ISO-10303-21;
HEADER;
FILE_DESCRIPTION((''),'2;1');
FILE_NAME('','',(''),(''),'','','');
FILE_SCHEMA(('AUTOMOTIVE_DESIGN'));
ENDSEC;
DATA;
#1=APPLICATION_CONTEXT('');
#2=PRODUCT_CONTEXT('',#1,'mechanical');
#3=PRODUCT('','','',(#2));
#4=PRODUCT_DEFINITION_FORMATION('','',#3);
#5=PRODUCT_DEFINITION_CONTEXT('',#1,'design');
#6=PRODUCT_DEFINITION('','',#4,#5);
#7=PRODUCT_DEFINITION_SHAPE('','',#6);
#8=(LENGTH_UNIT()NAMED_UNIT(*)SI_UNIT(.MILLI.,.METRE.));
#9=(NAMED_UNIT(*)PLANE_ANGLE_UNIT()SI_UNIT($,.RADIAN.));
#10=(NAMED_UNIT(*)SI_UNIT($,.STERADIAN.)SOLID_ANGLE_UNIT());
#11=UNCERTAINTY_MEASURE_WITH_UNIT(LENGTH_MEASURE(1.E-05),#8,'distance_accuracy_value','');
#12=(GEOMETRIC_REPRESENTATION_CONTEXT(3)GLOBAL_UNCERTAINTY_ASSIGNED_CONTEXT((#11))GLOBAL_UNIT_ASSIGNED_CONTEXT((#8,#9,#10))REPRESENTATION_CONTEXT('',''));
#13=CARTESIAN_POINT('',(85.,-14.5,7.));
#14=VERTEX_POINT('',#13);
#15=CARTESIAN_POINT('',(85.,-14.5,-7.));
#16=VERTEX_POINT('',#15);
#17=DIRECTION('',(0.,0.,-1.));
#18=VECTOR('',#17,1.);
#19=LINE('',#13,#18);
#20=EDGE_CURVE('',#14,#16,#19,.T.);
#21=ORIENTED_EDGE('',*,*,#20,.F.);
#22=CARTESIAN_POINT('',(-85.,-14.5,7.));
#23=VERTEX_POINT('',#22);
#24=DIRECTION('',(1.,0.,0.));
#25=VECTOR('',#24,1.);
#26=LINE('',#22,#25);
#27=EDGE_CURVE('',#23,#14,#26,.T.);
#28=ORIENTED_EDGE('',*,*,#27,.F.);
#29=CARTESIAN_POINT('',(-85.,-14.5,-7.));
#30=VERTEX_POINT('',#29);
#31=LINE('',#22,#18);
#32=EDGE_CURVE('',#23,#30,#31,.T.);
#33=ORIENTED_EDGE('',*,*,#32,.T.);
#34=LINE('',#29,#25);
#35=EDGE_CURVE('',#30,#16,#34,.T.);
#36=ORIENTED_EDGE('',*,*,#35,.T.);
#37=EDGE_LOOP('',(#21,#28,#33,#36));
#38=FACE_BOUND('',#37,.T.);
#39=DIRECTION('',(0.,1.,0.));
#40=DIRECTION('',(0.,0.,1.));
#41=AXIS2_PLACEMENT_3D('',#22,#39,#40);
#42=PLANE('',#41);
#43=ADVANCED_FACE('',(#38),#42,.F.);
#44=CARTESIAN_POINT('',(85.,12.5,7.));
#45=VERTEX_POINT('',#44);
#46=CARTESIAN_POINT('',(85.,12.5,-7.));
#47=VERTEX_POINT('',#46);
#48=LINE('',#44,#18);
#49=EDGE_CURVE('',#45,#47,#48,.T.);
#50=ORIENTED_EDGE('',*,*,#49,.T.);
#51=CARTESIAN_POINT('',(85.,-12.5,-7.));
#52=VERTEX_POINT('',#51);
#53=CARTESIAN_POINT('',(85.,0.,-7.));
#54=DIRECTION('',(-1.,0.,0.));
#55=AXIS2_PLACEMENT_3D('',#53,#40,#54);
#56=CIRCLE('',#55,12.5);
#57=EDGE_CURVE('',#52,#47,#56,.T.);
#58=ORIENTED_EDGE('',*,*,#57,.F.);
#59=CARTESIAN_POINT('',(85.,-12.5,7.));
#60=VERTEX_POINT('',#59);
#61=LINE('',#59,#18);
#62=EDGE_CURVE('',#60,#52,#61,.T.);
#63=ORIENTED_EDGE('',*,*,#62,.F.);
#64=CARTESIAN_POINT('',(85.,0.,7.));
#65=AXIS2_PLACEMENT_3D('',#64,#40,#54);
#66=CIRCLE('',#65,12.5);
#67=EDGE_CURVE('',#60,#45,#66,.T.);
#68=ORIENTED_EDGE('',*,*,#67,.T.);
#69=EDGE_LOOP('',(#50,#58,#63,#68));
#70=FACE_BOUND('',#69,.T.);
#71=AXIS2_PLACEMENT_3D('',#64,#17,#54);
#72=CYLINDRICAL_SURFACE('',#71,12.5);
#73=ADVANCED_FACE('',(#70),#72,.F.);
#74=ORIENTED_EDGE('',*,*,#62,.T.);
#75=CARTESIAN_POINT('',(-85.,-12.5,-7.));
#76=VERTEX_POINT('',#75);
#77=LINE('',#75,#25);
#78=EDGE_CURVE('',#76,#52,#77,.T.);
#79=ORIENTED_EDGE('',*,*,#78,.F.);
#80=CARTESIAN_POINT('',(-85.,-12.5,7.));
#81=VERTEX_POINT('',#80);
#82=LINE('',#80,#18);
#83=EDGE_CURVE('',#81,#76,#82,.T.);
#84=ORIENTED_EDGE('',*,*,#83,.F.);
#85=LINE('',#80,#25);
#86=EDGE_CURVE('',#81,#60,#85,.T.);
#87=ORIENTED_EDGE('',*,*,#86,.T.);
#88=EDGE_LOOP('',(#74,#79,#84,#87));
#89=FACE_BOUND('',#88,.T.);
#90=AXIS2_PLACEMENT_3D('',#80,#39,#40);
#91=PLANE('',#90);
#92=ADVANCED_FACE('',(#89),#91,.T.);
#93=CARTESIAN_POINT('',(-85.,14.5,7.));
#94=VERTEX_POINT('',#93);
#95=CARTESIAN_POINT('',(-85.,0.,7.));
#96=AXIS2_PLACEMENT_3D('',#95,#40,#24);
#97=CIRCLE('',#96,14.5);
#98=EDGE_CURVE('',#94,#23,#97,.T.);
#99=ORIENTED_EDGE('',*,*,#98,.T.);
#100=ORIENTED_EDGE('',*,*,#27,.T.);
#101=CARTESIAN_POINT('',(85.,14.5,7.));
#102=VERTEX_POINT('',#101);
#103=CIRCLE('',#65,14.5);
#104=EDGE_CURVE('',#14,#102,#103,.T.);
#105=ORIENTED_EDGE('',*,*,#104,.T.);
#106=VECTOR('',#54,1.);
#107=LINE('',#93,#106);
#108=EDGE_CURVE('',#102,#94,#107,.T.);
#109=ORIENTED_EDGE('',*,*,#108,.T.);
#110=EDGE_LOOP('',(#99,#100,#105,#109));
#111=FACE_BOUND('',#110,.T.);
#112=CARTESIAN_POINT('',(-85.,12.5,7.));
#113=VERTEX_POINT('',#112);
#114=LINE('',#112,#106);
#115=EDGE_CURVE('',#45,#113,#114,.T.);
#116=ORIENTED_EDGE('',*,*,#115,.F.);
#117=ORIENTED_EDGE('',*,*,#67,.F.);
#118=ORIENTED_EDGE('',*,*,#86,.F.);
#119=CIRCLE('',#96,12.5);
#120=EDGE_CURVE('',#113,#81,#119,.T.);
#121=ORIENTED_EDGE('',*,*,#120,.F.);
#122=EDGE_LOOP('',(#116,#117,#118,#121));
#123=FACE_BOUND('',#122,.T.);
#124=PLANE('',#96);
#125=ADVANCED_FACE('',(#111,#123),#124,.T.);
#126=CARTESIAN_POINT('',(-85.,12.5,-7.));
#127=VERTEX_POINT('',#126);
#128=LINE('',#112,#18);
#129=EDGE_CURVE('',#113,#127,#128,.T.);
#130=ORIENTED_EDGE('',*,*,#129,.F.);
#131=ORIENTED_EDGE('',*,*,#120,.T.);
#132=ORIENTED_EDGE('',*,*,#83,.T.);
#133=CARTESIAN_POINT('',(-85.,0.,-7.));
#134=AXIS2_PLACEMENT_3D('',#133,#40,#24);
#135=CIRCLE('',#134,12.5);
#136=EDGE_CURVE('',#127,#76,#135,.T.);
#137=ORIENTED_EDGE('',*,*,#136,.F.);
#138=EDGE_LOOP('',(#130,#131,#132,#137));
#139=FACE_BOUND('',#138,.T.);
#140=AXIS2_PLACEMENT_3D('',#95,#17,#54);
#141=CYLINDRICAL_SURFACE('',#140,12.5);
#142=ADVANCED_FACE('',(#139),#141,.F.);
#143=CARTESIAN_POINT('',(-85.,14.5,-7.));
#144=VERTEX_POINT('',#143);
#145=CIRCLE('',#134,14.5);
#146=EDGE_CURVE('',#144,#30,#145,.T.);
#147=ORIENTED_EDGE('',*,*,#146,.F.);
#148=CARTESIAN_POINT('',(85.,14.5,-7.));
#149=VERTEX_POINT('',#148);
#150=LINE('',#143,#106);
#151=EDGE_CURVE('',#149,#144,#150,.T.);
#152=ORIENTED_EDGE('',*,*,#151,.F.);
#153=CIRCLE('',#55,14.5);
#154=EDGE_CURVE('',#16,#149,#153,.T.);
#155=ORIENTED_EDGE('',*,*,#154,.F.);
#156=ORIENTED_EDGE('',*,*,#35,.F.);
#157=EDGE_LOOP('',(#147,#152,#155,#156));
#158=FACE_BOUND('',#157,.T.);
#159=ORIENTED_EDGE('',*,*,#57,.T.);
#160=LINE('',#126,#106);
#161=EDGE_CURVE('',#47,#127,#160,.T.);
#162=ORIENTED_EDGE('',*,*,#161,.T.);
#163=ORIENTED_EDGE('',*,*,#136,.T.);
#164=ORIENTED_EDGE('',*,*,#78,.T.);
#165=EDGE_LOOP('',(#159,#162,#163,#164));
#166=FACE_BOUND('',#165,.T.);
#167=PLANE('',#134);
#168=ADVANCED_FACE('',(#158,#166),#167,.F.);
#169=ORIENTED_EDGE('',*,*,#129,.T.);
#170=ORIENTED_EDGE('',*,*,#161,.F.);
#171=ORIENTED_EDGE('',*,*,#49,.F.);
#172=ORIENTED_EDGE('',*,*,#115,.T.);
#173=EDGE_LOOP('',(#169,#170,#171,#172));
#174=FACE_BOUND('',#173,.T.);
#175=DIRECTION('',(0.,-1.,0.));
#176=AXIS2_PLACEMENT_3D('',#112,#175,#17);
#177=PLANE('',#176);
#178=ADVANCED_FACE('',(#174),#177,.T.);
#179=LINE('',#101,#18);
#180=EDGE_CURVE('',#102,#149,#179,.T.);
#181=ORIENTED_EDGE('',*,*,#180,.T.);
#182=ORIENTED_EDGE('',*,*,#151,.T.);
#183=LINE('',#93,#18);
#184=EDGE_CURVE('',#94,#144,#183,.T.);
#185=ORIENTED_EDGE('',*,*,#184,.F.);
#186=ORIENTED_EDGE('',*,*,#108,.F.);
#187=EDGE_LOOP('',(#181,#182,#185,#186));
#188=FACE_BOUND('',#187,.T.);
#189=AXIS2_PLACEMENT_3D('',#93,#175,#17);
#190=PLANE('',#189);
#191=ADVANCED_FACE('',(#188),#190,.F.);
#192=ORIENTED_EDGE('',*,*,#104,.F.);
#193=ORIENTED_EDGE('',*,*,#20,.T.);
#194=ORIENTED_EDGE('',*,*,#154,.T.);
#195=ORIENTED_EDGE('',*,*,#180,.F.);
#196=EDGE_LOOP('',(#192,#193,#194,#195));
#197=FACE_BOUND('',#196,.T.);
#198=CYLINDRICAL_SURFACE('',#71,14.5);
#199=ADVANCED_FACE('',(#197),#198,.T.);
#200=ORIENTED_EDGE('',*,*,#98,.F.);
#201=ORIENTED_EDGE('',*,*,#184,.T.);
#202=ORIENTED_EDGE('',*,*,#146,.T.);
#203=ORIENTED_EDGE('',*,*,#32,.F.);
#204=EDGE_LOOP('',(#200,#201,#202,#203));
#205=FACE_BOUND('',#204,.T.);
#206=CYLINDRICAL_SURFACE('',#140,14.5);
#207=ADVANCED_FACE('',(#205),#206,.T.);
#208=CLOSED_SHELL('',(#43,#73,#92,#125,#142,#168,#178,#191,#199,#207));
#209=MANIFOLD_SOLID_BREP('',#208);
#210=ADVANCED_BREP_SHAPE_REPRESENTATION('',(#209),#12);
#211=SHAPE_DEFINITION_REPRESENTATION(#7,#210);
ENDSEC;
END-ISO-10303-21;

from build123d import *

# Parameters (mm, degrees)
BOSS_EXTRUDE1_DEPTH = 7


with BuildPart() as part:
    # Sketch1 → Boss-Extrude1 (new, symmetric)
    with BuildSketch(Plane.XY):
        with BuildLine():
            Line((-85, 14.5), (85, 14.5))
            ThreePointArc((85, 14.5), (99.5, 0), (85, -14.5))
            Line((85, -14.5), (-85, -14.5))
            ThreePointArc((-85, -14.5), (-99.5, 0), (-85, 14.5))
        make_face()
        with BuildLine():
            Line((-85, 12.5), (85, 12.5))
            ThreePointArc((85, 12.5), (97.5, 0), (85, -12.5))
            Line((85, -12.5), (-85, -12.5))
            ThreePointArc((-85, -12.5), (-97.5, 0), (-85, 12.5))
        make_face(mode=Mode.SUBTRACT)
    extrude(amount=BOSS_EXTRUDE1_DEPTH, both=True)


solid = part.part
